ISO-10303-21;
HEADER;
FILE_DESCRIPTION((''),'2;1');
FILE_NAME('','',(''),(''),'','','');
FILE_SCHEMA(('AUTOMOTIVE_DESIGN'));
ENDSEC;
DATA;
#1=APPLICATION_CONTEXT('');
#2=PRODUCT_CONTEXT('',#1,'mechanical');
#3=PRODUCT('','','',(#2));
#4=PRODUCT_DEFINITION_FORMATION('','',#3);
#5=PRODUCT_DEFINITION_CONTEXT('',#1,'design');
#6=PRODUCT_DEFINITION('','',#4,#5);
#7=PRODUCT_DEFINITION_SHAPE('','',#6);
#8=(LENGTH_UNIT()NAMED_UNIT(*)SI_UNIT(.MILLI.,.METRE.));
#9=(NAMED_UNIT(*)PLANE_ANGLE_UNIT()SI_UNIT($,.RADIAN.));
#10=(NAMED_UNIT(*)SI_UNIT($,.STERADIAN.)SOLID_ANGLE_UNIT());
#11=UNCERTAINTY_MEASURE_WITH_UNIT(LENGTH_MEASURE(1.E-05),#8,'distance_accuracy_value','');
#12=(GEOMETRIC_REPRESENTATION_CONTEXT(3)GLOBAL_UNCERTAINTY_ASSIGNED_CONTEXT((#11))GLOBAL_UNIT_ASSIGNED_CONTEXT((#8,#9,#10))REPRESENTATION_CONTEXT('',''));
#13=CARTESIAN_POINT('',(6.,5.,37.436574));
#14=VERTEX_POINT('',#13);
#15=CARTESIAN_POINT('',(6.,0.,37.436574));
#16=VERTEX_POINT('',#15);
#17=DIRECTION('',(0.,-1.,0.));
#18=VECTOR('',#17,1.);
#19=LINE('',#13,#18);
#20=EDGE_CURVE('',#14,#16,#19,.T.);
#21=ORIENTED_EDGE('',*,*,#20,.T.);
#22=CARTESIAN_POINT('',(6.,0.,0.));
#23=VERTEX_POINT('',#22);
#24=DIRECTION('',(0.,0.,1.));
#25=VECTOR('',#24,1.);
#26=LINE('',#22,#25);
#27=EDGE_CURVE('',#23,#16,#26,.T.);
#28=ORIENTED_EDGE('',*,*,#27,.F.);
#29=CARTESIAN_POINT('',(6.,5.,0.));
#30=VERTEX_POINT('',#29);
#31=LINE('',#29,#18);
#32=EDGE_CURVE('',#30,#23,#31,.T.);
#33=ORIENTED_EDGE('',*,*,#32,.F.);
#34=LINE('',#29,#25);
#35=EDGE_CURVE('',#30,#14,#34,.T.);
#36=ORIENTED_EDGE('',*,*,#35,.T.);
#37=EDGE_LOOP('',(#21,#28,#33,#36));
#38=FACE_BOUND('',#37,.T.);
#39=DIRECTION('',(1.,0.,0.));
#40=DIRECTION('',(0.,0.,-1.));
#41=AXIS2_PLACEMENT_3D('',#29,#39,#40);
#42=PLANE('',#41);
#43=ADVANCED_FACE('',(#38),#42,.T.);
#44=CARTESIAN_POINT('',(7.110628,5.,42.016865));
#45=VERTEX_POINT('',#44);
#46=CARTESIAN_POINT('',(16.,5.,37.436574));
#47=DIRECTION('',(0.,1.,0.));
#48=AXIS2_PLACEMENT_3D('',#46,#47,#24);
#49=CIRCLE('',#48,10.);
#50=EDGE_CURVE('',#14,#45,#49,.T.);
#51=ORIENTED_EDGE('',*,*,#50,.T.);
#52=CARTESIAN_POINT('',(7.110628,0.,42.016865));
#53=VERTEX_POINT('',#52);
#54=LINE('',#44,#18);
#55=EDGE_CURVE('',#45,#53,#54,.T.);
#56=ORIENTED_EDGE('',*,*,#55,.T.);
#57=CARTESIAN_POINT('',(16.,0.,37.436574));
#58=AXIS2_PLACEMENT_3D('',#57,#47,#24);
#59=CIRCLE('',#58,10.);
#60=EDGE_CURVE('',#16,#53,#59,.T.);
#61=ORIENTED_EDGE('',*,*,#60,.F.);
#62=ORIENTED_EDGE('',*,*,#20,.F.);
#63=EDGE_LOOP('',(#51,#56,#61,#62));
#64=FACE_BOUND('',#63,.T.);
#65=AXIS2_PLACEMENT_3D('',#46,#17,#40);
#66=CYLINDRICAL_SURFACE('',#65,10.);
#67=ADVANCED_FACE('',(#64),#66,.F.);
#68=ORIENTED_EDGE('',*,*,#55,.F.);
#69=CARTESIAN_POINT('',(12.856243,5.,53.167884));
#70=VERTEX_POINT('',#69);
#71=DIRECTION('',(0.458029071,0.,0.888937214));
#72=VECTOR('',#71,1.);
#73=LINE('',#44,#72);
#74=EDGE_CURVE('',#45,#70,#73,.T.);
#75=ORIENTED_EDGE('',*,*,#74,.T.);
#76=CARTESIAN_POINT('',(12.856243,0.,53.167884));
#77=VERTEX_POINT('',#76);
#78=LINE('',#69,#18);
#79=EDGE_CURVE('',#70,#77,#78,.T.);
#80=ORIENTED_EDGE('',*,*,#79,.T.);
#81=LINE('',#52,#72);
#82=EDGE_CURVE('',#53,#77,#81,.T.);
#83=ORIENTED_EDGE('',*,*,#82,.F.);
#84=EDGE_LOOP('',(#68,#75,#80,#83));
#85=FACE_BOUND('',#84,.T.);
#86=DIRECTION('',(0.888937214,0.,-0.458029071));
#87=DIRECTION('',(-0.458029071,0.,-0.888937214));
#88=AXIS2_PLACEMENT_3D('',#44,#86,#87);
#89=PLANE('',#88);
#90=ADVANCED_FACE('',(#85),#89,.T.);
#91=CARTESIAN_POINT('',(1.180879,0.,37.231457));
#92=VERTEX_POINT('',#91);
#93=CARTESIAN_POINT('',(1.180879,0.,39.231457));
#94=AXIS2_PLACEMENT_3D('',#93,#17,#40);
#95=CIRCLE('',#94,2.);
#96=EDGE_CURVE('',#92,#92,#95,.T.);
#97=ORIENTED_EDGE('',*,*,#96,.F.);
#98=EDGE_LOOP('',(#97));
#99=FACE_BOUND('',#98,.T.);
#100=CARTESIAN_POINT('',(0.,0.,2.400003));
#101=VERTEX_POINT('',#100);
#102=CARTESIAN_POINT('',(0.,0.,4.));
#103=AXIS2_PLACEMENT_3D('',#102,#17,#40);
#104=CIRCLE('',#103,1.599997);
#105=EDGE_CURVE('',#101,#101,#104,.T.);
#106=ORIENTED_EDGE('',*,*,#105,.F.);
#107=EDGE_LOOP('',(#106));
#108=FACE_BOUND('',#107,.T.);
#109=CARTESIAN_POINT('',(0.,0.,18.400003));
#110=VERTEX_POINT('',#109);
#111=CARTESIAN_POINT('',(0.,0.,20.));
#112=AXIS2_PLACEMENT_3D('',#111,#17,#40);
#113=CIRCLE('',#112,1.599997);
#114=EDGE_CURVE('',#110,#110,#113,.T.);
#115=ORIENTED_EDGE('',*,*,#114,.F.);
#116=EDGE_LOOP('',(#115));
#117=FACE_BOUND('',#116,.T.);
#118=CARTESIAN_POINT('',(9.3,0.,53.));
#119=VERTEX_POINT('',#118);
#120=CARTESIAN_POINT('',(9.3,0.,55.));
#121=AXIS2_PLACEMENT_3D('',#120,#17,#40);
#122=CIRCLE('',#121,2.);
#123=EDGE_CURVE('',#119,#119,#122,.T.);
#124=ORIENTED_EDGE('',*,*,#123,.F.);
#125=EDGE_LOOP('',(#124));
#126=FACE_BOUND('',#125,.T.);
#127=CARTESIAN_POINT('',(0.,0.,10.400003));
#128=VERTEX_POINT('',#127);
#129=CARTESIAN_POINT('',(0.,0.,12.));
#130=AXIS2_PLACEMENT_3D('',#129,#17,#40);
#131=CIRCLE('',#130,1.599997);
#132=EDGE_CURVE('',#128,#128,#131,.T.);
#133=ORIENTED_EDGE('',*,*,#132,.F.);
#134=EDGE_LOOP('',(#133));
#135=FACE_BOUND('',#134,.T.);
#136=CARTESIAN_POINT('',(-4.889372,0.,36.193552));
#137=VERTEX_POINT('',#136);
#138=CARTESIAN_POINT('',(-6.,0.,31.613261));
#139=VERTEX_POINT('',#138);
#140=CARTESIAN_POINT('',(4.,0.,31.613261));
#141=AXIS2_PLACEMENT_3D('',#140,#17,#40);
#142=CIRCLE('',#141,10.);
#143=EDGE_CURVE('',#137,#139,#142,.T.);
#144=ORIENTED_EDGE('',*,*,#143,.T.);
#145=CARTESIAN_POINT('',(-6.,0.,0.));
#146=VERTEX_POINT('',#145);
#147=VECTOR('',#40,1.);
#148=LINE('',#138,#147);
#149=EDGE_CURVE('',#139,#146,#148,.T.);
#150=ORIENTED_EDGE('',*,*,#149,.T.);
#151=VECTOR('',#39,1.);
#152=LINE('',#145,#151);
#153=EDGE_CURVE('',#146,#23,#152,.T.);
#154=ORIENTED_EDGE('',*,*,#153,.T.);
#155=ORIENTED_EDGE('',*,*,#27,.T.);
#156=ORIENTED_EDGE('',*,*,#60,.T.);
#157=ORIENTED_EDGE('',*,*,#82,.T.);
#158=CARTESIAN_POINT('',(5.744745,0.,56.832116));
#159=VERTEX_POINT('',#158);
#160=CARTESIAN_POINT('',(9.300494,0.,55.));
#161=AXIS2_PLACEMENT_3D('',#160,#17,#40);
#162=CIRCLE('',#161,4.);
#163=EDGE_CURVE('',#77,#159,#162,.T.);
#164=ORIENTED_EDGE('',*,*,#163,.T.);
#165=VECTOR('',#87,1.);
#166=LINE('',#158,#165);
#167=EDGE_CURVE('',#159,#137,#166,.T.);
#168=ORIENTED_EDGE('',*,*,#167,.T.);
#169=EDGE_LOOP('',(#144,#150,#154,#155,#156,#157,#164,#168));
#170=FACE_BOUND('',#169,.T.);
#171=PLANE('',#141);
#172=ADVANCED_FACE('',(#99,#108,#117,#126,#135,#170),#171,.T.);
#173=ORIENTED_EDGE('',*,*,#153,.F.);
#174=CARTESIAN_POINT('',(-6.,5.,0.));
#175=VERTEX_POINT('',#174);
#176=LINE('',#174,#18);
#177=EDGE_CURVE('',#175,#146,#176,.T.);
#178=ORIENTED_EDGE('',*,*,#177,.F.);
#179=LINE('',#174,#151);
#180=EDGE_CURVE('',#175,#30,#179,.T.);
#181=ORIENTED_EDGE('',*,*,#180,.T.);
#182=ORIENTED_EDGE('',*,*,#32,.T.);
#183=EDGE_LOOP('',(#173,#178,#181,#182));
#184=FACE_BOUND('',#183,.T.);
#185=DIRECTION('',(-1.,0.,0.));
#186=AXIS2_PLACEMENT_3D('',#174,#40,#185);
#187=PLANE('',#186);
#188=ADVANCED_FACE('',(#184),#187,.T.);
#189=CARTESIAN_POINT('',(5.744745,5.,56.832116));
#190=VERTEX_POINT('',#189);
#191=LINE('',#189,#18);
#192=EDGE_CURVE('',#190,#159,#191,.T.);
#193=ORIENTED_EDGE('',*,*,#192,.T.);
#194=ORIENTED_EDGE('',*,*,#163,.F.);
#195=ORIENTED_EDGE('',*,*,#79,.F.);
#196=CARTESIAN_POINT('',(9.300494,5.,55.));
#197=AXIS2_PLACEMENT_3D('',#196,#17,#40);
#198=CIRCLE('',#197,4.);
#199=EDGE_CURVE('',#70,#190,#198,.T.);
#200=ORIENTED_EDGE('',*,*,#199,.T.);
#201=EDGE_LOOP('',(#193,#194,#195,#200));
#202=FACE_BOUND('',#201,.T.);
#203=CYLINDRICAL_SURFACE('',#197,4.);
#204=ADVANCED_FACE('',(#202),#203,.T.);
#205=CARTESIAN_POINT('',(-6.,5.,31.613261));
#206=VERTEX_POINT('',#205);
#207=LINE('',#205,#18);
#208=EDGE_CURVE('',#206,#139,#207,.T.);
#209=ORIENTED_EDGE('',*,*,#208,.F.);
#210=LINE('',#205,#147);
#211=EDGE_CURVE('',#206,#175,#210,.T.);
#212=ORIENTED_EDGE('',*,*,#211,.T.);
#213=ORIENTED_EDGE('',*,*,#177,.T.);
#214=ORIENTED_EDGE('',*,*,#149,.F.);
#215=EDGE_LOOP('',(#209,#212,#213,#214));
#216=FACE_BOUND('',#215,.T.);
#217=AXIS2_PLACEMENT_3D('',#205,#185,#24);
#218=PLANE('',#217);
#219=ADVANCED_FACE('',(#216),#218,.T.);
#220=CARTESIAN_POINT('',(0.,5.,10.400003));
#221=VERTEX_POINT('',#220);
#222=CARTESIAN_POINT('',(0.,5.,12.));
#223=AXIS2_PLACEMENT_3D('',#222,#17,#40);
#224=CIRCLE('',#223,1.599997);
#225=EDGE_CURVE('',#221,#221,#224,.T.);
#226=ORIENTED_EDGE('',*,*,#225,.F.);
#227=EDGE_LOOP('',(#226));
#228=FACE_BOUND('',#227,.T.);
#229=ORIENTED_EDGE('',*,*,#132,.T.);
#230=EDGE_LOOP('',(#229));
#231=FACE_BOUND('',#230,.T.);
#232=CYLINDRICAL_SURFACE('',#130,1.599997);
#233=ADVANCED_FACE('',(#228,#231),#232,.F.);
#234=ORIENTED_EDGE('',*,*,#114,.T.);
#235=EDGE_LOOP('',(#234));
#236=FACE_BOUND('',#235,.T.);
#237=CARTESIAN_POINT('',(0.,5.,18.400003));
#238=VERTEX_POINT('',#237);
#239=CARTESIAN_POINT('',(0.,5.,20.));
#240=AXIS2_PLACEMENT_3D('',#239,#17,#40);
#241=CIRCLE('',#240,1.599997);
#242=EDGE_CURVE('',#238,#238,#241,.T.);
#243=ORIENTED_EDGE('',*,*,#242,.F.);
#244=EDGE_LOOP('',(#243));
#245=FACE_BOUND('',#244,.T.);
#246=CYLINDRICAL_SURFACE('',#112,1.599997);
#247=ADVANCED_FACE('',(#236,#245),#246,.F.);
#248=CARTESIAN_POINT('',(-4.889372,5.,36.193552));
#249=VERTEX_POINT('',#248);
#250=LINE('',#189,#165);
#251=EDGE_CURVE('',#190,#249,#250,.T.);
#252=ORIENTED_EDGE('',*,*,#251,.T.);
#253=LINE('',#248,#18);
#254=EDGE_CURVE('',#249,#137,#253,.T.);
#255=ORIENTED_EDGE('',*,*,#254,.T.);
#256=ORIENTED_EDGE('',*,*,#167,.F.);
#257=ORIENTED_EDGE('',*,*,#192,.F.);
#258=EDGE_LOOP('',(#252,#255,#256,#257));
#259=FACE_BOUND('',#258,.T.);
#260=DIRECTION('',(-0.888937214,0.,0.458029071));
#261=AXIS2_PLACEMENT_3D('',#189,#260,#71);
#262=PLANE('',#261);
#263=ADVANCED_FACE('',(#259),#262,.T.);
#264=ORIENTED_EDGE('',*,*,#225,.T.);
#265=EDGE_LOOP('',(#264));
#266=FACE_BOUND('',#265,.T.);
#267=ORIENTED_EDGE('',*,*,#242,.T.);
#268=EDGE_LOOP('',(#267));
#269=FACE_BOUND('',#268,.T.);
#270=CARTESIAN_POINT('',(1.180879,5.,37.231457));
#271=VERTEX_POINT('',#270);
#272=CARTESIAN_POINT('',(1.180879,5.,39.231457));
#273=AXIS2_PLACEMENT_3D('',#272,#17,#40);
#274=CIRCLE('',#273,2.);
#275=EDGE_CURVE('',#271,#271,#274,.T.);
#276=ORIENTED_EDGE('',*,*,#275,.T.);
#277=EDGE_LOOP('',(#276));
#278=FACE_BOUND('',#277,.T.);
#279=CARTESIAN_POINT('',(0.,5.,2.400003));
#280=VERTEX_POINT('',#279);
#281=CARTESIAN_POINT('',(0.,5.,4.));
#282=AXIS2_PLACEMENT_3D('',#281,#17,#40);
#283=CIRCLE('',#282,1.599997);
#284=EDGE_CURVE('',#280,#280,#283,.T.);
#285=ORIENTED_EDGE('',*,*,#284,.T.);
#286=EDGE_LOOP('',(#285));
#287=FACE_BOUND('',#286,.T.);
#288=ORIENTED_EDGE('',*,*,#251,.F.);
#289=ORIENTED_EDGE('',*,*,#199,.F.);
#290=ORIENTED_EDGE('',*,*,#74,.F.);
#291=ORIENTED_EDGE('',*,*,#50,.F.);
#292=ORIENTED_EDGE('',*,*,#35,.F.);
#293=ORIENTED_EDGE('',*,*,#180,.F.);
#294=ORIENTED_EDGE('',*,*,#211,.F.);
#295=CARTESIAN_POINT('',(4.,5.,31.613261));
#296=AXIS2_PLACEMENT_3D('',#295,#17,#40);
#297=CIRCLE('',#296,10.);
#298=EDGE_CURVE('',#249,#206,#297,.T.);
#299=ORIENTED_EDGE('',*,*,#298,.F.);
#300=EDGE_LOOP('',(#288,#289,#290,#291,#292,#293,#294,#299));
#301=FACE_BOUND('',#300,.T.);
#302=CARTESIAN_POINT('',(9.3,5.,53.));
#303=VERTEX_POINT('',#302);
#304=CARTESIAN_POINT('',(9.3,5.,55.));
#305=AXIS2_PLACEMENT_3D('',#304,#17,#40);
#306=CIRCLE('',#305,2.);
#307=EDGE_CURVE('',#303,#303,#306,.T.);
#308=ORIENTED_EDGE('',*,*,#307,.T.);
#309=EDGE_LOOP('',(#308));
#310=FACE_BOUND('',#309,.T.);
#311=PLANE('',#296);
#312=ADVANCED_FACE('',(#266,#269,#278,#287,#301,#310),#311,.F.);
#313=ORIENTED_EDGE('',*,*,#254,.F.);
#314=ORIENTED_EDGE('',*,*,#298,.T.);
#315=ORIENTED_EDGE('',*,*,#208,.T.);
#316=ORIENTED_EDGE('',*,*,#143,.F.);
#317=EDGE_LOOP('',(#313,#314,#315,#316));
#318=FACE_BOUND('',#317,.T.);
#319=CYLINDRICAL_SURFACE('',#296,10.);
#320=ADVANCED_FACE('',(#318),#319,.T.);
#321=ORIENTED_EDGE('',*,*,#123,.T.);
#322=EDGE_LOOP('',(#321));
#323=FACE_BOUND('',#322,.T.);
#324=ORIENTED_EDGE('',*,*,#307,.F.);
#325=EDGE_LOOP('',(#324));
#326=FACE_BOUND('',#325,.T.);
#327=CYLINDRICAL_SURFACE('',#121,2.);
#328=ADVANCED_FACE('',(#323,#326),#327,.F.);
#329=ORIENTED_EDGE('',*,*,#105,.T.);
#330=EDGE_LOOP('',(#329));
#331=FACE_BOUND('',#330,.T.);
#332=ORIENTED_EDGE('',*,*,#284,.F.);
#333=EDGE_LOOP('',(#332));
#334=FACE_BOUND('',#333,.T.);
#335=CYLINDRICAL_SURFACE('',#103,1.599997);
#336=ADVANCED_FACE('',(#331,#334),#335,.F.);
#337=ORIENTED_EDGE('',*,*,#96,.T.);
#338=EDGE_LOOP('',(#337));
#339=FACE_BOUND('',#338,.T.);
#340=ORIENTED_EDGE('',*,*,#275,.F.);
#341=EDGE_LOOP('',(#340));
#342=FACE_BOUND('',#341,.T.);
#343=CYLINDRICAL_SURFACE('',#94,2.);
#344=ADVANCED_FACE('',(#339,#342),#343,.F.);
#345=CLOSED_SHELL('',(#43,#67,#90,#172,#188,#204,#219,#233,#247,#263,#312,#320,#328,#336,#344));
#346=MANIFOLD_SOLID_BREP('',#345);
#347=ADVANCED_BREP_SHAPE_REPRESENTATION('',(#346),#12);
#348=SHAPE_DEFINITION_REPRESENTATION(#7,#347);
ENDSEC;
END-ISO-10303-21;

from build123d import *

# Parameters (mm, degrees)
EXTRUDE_1_DEPTH         = 5
HOLE_WIZARD_A_0_234_3_D = 3.1999936
PATTERN_LINEAR_1_COUNT  = 3
PATTERN_LINEAR_1_PITCH  = 8
HOLE_WIZARD_A_0_234_4_D = 4


with BuildPart() as part:
    # Эскиз1 → Бобышка-Вытянуть1 (new body)
    with BuildSketch(Plane.XZ):
        with BuildLine():
            Line((-6, 31.613261479), (-6, 0))
            Line((-6, 0), (6, 0))
            Line((6, 0), (6, 37.436574312))
            ThreePointArc((6, 37.436574312), (6.281622528, 39.793084297), (7.110627862, 42.016865021))
            Line((7.110627862, 42.016865021), (12.856242572, 53.167883716))
            ThreePointArc((12.856242572, 53.167883716), (11.13261, 58.555748855), (5.744744861, 56.832116284))
            Line((5.744744861, 56.832116284), (-4.889372139, 36.193552189))
            ThreePointArc((-4.889372139, 36.193552189), (-5.718377472, 33.969771464), (-6, 31.613261479))
        make_face()
    extrude(amount=-EXTRUDE_1_DEPTH)

    # Диаметр отверстия A (0.234)3 (through all)
    with Locations(Plane(origin=(0, 0, 4), x_dir=(0, 0, -1), z_dir=(0, -1, 0))):
        with Locations((0, 0)):
            hole_wizard_a_0_234_3 = Hole(HOLE_WIZARD_A_0_234_3_D / 2)

    # Линейный массив1: Диаметр отверстия A (0.234)3 ×3
    with Locations(*[(0, 0, i * PATTERN_LINEAR_1_PITCH) for i in range(1, PATTERN_LINEAR_1_COUNT)]):
        add(hole_wizard_a_0_234_3, mode=Mode.SUBTRACT)

    # Диаметр отверстия A (0.234)4 (through all)
    with Locations(Plane(origin=(9.3, 0, 55), x_dir=(0, 0, -1), z_dir=(0, -1, 0))):
        with Locations((0, 0), (15.76854256, -8.11912081)):
            Hole(HOLE_WIZARD_A_0_234_4_D / 2)


solid = part.part
